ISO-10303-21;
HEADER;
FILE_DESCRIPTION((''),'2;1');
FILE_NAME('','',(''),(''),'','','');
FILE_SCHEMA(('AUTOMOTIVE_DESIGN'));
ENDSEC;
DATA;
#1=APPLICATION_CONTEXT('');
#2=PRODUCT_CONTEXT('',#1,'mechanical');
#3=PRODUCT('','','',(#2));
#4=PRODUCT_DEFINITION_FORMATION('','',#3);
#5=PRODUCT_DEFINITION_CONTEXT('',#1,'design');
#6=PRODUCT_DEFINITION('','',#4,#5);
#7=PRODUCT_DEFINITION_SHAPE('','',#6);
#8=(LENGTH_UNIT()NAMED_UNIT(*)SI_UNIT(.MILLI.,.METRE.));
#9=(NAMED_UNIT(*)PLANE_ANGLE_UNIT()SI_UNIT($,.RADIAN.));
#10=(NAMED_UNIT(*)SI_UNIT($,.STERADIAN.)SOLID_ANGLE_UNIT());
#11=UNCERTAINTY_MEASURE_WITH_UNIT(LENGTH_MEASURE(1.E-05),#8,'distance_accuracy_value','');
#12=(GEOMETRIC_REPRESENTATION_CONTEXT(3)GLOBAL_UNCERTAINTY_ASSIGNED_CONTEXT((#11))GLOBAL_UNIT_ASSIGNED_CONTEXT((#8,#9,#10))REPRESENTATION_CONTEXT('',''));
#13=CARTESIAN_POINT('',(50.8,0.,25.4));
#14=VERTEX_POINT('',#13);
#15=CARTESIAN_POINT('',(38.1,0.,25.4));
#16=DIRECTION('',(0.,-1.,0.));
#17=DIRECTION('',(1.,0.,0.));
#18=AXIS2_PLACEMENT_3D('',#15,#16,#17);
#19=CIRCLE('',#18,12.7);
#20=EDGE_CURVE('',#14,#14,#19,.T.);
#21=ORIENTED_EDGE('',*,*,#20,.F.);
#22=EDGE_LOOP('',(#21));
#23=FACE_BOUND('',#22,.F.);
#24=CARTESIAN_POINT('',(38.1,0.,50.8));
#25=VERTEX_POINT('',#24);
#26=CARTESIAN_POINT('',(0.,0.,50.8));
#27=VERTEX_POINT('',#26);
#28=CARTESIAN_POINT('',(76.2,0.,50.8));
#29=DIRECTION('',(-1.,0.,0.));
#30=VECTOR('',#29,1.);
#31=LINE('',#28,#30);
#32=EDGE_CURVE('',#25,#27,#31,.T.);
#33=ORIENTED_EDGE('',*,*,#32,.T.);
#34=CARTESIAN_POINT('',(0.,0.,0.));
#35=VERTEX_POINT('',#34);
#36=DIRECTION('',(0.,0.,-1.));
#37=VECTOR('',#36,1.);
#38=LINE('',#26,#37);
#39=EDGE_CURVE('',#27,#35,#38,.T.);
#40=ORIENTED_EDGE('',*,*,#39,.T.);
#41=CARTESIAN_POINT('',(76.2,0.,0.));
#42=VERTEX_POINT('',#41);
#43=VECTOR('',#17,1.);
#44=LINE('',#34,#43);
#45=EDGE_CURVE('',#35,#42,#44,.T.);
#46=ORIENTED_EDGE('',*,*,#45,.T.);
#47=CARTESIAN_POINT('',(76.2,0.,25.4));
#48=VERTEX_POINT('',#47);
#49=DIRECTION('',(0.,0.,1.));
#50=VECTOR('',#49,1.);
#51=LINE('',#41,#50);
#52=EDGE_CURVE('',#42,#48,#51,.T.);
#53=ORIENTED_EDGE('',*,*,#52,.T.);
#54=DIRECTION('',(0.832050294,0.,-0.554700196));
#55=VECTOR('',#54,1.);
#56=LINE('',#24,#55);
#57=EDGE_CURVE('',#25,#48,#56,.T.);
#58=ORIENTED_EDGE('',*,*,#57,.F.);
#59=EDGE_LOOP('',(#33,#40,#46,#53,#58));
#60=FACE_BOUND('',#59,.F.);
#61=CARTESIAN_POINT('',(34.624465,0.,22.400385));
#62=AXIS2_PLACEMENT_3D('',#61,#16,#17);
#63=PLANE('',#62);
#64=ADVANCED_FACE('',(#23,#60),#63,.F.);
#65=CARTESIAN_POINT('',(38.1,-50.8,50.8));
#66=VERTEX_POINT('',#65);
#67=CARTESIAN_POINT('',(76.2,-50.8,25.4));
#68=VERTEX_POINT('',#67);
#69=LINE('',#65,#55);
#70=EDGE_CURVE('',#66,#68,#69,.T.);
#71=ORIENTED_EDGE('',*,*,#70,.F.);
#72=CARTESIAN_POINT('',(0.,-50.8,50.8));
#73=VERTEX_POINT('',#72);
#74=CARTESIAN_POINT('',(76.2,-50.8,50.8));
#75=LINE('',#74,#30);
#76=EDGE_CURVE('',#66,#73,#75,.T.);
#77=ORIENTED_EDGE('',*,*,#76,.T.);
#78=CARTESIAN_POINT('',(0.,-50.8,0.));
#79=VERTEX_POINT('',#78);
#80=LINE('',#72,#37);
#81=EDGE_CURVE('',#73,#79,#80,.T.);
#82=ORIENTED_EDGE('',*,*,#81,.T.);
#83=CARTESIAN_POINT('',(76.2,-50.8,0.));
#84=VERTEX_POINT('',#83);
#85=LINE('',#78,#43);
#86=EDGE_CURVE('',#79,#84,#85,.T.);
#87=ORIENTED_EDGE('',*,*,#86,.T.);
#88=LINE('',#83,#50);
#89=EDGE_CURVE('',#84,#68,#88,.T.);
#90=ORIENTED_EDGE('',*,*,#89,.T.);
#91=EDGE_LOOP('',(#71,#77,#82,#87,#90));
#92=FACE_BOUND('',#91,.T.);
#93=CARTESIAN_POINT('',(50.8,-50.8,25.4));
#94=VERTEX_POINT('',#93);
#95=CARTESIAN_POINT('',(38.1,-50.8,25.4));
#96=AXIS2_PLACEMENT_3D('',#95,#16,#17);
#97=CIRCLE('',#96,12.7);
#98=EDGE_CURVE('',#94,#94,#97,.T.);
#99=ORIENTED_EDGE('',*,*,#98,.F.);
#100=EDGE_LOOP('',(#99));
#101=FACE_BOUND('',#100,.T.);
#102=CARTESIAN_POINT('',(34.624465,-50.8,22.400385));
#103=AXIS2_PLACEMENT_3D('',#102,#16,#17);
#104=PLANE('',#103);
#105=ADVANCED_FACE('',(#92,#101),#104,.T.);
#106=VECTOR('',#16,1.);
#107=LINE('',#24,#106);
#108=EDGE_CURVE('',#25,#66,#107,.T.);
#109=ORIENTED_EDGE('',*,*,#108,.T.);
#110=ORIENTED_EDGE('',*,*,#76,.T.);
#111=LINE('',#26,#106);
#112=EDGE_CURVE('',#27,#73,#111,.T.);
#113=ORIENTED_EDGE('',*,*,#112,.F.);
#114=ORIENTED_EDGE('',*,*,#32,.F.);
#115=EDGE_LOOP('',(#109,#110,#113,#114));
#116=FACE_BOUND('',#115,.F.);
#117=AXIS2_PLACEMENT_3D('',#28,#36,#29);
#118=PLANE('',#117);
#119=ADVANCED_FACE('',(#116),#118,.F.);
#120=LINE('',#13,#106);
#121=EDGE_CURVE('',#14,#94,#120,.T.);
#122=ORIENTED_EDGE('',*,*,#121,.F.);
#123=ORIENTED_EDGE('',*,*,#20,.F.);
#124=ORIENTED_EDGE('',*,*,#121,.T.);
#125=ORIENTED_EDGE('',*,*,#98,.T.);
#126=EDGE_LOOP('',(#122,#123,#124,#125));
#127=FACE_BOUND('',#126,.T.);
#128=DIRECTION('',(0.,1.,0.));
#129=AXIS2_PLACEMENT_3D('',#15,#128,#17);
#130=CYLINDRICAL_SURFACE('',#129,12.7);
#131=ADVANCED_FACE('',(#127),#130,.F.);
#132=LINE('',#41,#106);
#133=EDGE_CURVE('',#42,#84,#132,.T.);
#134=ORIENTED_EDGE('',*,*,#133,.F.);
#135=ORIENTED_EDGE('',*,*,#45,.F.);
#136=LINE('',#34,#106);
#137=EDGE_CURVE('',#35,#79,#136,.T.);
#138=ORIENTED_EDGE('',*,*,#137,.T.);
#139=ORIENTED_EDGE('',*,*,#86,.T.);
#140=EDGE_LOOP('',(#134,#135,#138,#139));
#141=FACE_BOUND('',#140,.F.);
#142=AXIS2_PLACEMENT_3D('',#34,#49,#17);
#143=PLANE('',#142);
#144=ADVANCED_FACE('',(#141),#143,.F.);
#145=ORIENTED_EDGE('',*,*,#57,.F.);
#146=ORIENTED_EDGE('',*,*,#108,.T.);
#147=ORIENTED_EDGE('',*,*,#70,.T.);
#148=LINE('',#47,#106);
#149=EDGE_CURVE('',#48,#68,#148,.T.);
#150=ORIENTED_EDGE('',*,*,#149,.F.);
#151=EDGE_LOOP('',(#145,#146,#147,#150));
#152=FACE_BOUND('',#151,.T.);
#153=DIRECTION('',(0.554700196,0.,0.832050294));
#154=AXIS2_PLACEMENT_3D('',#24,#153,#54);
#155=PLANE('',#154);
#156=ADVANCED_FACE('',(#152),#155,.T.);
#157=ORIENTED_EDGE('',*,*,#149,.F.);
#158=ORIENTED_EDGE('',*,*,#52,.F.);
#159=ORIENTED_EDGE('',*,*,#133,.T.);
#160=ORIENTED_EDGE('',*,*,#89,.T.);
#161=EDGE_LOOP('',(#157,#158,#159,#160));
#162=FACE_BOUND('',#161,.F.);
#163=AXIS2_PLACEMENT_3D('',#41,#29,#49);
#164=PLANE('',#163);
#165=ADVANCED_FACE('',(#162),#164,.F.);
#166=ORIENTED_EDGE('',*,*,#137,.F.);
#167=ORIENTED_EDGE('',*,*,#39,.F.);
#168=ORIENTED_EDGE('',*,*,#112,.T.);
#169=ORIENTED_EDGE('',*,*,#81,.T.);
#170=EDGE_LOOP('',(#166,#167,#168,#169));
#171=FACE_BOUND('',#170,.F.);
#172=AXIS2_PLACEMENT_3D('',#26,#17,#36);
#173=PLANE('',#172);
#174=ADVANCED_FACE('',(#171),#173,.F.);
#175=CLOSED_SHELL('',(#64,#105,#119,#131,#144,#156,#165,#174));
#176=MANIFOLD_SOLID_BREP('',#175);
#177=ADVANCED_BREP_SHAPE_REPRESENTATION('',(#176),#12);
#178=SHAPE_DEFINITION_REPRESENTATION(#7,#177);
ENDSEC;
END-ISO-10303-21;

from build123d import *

# Parameters (mm, degrees)
F0_R     = 12.7
F1_DEPTH = 50.8
F2_DEPTH = 50.8


with BuildPart() as f1:
    # F0 (on Front) → F1 (new body)
    with BuildSketch(Plane.XZ):
        Polygon((0, 25.4), (0, 0), (38.1, 0), (76.2, 0), (76.2, 25.4), (38.1, 50.8), (0, 50.8), align=None)
        with Locations((38.1, 25.4)):
            Circle(F0_R, mode=Mode.SUBTRACT)
        Polygon((38.1, 50.8), (76.2, 25.4), (76.2, 50.8), align=None)
    extrude(amount=F1_DEPTH)

    # F0 (on Front) → F2 (cut)
    with BuildSketch(Plane.XZ):
        Polygon((38.1, 50.8), (76.2, 25.4), (76.2, 50.8), align=None)
    extrude(amount=F2_DEPTH, mode=Mode.SUBTRACT)


solid = f1.part
